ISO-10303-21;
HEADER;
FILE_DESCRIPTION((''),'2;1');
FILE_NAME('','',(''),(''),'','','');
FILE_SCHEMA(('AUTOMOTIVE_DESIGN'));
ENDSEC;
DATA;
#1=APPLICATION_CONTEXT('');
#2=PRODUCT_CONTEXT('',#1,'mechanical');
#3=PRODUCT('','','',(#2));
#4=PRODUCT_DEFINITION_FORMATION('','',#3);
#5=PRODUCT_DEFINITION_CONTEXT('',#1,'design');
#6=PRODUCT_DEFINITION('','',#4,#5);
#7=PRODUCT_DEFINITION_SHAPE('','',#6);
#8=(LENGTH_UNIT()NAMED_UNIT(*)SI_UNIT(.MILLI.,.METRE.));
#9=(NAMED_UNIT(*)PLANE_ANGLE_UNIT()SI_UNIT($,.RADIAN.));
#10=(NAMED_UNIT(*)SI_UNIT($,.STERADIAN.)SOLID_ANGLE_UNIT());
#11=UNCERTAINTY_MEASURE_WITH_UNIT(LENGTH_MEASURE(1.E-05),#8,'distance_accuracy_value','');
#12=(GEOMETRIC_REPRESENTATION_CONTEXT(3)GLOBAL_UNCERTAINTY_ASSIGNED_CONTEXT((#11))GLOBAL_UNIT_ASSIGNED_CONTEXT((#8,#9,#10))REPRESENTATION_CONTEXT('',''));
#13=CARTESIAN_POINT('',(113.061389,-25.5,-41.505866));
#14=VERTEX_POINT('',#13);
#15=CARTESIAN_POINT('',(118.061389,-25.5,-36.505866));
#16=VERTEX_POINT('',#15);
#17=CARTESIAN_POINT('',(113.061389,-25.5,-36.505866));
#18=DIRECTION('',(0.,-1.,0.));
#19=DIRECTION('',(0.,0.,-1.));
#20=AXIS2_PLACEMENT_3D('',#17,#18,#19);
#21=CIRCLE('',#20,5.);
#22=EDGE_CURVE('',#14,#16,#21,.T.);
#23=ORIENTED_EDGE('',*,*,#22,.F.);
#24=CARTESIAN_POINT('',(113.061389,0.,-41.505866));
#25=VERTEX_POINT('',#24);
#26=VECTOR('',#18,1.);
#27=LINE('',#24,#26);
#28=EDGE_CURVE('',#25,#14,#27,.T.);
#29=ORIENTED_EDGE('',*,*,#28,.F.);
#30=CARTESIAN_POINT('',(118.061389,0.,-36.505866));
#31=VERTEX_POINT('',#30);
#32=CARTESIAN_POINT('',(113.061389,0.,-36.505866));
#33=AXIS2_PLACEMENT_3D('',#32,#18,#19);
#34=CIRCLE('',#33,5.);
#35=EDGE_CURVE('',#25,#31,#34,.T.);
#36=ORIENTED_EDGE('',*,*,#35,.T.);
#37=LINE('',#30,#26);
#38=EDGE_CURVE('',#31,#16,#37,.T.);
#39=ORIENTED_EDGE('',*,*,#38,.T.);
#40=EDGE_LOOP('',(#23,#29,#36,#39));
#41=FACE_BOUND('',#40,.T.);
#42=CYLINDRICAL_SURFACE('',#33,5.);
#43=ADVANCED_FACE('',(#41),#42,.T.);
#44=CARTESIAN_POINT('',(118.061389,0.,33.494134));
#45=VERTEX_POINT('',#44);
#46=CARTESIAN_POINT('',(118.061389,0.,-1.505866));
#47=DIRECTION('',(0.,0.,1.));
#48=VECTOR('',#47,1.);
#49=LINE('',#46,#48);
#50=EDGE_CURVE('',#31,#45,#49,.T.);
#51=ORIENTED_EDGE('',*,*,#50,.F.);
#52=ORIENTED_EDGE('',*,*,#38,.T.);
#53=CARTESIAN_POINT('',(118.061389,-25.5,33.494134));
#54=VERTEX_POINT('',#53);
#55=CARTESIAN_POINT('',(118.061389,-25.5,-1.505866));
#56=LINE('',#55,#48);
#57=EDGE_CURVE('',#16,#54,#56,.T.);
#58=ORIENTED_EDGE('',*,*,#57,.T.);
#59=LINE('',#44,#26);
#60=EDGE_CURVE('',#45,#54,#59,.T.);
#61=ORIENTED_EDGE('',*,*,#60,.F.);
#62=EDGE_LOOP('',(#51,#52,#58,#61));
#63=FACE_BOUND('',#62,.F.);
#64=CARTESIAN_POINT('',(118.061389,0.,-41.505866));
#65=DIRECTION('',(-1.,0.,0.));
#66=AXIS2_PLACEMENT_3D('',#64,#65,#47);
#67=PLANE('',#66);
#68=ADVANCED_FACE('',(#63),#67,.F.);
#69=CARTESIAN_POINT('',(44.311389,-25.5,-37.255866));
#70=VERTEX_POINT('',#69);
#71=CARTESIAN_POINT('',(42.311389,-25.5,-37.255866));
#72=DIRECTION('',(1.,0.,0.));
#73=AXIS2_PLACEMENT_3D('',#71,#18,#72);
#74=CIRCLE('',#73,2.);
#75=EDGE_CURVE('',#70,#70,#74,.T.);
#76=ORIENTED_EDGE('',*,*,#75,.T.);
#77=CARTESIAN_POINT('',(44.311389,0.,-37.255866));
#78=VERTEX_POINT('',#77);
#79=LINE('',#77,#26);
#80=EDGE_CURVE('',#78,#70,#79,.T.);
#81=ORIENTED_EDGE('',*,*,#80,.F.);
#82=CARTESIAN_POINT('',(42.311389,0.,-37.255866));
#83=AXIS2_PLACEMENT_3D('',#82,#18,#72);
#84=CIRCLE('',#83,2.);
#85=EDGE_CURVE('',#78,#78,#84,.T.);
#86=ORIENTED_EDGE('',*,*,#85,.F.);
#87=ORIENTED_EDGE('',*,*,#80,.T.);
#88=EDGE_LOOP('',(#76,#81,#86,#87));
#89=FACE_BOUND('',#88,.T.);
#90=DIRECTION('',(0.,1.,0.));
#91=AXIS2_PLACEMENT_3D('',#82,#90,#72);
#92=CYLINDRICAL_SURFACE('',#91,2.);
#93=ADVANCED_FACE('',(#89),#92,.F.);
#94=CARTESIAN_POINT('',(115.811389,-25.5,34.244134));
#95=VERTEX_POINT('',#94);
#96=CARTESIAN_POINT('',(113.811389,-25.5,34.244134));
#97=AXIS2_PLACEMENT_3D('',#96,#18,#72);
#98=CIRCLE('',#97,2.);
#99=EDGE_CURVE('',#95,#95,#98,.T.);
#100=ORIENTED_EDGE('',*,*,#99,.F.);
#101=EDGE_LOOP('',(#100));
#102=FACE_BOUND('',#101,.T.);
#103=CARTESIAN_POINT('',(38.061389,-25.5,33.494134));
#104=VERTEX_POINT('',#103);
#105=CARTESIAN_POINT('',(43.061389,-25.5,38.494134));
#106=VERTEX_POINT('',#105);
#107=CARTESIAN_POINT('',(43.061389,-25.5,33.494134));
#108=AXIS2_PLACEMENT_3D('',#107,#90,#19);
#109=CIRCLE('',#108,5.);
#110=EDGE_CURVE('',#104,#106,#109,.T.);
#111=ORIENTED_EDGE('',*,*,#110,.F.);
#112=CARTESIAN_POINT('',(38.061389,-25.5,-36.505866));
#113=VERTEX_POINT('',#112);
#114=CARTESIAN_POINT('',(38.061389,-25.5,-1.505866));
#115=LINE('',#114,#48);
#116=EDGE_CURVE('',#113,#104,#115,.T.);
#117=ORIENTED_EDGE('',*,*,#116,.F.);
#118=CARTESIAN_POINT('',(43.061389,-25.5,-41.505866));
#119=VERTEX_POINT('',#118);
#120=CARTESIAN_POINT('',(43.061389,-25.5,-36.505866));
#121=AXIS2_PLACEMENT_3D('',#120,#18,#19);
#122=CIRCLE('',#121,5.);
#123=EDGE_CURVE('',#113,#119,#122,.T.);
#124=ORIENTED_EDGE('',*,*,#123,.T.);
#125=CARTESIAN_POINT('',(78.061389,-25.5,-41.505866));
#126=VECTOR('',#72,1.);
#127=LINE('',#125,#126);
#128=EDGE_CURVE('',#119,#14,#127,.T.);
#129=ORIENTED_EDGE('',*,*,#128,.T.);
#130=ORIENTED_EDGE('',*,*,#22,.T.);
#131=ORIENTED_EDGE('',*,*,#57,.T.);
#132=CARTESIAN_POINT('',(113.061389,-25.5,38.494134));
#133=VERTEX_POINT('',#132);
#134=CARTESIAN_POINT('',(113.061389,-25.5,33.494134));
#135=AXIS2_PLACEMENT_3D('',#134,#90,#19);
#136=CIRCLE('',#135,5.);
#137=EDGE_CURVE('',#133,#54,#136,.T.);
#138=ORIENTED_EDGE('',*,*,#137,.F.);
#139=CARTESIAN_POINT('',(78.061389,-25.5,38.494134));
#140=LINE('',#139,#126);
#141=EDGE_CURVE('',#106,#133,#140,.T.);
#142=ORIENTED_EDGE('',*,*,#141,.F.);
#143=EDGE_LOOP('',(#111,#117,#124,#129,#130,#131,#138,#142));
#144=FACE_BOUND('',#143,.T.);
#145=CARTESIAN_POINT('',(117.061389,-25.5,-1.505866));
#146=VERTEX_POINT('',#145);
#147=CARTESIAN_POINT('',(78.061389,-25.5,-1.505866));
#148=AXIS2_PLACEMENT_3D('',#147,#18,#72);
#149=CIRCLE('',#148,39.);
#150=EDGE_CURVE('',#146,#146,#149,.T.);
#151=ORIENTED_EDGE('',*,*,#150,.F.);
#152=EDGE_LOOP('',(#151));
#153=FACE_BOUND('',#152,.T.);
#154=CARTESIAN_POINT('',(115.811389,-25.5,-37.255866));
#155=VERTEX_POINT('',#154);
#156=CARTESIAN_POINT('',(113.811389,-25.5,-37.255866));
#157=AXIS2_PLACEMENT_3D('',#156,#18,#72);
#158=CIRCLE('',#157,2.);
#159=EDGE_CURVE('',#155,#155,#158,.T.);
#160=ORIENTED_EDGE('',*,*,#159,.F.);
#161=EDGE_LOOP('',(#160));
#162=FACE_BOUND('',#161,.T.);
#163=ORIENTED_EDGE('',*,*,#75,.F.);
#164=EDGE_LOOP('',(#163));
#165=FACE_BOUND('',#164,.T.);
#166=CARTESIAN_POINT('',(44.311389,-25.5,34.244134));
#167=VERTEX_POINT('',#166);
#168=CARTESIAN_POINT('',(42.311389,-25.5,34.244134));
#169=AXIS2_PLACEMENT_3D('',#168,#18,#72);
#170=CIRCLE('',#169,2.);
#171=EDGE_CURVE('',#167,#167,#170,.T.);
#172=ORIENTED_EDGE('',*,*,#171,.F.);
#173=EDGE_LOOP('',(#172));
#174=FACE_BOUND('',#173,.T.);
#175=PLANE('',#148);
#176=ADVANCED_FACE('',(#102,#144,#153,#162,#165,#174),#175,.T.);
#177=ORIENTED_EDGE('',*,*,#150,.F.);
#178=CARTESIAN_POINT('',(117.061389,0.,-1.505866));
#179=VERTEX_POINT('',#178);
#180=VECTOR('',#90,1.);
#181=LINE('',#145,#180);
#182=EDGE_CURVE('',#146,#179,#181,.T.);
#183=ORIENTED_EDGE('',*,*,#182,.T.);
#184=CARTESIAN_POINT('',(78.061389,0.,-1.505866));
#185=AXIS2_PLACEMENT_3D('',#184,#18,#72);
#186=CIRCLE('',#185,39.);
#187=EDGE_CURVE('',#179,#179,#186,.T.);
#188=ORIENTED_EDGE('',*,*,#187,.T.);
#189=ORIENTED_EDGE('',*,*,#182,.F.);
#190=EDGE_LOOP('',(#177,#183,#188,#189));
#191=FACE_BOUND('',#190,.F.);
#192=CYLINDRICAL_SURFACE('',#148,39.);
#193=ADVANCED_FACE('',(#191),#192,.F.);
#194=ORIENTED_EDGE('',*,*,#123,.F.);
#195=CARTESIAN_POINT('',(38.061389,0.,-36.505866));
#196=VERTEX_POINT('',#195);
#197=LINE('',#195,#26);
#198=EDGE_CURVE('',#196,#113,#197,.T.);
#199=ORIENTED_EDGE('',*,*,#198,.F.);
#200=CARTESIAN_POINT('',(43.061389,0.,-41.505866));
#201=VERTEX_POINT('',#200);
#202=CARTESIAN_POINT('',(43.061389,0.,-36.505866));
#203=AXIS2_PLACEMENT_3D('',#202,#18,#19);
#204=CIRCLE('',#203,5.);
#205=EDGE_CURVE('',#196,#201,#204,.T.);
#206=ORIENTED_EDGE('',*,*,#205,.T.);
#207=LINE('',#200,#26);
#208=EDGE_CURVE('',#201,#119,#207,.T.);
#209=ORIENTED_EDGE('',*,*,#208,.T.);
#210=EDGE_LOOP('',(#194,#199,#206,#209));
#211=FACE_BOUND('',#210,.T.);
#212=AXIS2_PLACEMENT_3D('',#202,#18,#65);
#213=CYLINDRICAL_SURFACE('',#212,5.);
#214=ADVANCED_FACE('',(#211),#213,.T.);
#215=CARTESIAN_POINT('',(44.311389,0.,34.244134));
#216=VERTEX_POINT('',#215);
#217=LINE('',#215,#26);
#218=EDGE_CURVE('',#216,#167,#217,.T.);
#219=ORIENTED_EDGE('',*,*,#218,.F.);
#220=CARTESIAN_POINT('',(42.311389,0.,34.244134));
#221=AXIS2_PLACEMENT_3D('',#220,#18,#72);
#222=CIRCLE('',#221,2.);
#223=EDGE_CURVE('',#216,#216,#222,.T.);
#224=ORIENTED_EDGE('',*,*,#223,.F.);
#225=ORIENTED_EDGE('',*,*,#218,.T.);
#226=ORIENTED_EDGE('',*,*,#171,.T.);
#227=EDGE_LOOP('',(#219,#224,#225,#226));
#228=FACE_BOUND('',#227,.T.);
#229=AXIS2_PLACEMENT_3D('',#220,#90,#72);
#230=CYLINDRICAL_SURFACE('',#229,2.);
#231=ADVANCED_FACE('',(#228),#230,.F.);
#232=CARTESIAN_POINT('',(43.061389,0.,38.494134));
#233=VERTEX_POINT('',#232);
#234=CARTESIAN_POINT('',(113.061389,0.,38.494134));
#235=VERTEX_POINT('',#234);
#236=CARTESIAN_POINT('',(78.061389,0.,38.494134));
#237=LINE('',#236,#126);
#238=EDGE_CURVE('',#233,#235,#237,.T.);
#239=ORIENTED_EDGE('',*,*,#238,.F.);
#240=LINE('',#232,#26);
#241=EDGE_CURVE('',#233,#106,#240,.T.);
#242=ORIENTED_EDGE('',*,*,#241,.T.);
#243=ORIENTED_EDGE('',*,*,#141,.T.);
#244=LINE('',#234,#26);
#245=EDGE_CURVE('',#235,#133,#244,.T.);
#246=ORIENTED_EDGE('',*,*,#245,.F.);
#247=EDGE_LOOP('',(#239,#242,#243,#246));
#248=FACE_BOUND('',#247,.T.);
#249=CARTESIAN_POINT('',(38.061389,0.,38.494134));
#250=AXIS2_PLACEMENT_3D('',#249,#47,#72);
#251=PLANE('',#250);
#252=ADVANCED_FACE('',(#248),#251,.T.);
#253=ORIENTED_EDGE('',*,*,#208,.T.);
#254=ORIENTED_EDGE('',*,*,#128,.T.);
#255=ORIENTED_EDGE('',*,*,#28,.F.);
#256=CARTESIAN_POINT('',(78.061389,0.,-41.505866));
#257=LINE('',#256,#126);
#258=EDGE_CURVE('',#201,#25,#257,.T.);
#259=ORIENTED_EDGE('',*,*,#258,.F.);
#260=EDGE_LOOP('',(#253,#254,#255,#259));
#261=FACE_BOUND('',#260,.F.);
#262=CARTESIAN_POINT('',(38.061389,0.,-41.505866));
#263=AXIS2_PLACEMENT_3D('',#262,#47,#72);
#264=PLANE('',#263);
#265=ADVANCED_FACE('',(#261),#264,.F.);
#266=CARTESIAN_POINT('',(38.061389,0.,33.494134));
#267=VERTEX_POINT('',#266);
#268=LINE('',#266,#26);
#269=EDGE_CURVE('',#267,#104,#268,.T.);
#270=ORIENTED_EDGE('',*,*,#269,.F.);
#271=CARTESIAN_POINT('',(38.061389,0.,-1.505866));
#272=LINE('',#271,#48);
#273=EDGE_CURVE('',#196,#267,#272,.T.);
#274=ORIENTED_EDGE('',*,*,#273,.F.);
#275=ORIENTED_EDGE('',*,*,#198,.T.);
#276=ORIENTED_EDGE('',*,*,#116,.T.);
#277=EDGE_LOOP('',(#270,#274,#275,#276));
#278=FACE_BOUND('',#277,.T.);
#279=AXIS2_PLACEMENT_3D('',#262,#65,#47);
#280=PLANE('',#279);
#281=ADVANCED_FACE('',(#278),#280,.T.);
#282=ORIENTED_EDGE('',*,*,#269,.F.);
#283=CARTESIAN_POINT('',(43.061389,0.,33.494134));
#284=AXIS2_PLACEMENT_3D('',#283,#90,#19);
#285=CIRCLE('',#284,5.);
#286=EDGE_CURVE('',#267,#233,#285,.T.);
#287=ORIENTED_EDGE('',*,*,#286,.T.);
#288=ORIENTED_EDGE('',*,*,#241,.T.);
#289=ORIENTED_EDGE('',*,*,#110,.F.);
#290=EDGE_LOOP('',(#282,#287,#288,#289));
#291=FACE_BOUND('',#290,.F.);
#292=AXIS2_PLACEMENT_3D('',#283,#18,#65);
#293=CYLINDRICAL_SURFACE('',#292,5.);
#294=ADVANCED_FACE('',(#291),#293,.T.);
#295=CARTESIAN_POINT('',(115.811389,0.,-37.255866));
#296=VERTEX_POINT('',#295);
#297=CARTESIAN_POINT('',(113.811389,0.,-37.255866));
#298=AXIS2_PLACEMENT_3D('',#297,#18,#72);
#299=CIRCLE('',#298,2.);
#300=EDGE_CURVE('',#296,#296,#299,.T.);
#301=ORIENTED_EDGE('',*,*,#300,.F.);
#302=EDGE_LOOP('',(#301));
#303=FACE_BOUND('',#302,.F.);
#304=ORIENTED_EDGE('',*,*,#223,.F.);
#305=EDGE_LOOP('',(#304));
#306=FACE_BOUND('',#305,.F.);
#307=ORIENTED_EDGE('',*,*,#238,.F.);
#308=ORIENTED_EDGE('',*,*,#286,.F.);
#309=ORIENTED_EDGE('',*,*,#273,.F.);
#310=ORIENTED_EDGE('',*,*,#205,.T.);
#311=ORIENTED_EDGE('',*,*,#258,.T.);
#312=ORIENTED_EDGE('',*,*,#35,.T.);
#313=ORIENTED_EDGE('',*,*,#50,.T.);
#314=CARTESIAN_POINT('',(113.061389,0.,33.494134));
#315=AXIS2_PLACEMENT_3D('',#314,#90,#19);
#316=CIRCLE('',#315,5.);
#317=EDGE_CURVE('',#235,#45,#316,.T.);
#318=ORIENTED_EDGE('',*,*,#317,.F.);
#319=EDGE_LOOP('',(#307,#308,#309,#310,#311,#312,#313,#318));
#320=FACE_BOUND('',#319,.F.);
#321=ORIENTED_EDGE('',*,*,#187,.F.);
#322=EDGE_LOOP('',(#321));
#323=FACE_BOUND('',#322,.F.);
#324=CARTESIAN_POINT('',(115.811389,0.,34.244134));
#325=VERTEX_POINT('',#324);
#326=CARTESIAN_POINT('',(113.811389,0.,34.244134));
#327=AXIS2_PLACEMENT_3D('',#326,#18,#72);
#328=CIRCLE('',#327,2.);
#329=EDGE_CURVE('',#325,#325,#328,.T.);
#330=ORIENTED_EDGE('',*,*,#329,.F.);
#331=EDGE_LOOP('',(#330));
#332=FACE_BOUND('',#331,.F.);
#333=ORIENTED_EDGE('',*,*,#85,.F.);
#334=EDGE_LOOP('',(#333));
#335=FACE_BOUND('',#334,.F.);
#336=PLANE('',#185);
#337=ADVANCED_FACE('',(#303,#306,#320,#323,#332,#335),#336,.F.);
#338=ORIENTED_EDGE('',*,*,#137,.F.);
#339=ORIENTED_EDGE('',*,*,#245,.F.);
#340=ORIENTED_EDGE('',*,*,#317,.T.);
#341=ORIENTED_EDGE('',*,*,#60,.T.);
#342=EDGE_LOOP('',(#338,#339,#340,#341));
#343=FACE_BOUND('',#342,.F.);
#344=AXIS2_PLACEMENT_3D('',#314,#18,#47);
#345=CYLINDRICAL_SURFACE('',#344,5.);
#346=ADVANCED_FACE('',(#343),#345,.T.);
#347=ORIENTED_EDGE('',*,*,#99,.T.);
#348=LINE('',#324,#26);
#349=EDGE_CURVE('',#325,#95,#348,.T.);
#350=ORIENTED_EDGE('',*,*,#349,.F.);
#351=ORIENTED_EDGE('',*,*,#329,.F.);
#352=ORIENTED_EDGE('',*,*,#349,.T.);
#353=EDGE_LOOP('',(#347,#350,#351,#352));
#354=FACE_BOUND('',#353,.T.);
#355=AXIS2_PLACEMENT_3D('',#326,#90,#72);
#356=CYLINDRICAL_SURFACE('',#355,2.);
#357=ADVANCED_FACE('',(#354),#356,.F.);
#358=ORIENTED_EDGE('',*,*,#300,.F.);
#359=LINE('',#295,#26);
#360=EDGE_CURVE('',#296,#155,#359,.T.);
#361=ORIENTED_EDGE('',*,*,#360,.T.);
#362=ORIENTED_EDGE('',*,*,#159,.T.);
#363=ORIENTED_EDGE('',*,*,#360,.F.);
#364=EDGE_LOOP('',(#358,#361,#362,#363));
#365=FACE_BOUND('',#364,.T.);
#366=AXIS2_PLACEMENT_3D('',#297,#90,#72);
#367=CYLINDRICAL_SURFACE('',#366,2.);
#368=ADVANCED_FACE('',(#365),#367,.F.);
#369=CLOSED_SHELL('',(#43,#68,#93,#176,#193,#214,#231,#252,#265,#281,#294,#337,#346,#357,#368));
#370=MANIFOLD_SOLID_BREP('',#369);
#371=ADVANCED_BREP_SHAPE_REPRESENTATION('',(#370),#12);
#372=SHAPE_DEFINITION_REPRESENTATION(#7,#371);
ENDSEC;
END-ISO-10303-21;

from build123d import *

# Parameters (mm, degrees)
F0_W     = 80
F0_H     = 80
F0_R     = 2
F1_DEPTH = 25.5
F2_R     = 5
F3_R     = 39
F4_DEPTH = 25.5


with BuildPart() as f1:
    # F0 (on Front) → F1 (new body)
    with BuildSketch(Plane.XZ):
        with Locations((78.061389, -1.505866)):
            Rectangle(F0_W, F0_H)
        with Locations((42.311389, -37.255866)):
            Circle(F0_R, mode=Mode.SUBTRACT)
        with Locations((113.811389, -37.255866)):
            Circle(F0_R, mode=Mode.SUBTRACT)
        with Locations((42.311389, 34.244134)):
            Circle(F0_R, mode=Mode.SUBTRACT)
        with Locations((113.811389, 34.244134)):
            Circle(F0_R, mode=Mode.SUBTRACT)
    extrude(amount=F1_DEPTH)

    # F2
    f2_edges = [f1.edges().sort_by_distance(p)[0] for p in [
        (38.061389, -12.75, 38.494134),
        (38.061389, -12.75, -41.505866),
        (118.061389, -12.75, -41.505866),
        (118.061389, -12.75, 38.494134),
    ]]
    fillet(f2_edges, radius=F2_R)

    # F3 (on face) → F4 (cut, through all)
    with BuildSketch(Plane.XZ.offset(25.5)):
        with Locations((78.061389, -1.505866)):
            Circle(F3_R)
    extrude(amount=-F4_DEPTH, mode=Mode.SUBTRACT)


solid = f1.part
